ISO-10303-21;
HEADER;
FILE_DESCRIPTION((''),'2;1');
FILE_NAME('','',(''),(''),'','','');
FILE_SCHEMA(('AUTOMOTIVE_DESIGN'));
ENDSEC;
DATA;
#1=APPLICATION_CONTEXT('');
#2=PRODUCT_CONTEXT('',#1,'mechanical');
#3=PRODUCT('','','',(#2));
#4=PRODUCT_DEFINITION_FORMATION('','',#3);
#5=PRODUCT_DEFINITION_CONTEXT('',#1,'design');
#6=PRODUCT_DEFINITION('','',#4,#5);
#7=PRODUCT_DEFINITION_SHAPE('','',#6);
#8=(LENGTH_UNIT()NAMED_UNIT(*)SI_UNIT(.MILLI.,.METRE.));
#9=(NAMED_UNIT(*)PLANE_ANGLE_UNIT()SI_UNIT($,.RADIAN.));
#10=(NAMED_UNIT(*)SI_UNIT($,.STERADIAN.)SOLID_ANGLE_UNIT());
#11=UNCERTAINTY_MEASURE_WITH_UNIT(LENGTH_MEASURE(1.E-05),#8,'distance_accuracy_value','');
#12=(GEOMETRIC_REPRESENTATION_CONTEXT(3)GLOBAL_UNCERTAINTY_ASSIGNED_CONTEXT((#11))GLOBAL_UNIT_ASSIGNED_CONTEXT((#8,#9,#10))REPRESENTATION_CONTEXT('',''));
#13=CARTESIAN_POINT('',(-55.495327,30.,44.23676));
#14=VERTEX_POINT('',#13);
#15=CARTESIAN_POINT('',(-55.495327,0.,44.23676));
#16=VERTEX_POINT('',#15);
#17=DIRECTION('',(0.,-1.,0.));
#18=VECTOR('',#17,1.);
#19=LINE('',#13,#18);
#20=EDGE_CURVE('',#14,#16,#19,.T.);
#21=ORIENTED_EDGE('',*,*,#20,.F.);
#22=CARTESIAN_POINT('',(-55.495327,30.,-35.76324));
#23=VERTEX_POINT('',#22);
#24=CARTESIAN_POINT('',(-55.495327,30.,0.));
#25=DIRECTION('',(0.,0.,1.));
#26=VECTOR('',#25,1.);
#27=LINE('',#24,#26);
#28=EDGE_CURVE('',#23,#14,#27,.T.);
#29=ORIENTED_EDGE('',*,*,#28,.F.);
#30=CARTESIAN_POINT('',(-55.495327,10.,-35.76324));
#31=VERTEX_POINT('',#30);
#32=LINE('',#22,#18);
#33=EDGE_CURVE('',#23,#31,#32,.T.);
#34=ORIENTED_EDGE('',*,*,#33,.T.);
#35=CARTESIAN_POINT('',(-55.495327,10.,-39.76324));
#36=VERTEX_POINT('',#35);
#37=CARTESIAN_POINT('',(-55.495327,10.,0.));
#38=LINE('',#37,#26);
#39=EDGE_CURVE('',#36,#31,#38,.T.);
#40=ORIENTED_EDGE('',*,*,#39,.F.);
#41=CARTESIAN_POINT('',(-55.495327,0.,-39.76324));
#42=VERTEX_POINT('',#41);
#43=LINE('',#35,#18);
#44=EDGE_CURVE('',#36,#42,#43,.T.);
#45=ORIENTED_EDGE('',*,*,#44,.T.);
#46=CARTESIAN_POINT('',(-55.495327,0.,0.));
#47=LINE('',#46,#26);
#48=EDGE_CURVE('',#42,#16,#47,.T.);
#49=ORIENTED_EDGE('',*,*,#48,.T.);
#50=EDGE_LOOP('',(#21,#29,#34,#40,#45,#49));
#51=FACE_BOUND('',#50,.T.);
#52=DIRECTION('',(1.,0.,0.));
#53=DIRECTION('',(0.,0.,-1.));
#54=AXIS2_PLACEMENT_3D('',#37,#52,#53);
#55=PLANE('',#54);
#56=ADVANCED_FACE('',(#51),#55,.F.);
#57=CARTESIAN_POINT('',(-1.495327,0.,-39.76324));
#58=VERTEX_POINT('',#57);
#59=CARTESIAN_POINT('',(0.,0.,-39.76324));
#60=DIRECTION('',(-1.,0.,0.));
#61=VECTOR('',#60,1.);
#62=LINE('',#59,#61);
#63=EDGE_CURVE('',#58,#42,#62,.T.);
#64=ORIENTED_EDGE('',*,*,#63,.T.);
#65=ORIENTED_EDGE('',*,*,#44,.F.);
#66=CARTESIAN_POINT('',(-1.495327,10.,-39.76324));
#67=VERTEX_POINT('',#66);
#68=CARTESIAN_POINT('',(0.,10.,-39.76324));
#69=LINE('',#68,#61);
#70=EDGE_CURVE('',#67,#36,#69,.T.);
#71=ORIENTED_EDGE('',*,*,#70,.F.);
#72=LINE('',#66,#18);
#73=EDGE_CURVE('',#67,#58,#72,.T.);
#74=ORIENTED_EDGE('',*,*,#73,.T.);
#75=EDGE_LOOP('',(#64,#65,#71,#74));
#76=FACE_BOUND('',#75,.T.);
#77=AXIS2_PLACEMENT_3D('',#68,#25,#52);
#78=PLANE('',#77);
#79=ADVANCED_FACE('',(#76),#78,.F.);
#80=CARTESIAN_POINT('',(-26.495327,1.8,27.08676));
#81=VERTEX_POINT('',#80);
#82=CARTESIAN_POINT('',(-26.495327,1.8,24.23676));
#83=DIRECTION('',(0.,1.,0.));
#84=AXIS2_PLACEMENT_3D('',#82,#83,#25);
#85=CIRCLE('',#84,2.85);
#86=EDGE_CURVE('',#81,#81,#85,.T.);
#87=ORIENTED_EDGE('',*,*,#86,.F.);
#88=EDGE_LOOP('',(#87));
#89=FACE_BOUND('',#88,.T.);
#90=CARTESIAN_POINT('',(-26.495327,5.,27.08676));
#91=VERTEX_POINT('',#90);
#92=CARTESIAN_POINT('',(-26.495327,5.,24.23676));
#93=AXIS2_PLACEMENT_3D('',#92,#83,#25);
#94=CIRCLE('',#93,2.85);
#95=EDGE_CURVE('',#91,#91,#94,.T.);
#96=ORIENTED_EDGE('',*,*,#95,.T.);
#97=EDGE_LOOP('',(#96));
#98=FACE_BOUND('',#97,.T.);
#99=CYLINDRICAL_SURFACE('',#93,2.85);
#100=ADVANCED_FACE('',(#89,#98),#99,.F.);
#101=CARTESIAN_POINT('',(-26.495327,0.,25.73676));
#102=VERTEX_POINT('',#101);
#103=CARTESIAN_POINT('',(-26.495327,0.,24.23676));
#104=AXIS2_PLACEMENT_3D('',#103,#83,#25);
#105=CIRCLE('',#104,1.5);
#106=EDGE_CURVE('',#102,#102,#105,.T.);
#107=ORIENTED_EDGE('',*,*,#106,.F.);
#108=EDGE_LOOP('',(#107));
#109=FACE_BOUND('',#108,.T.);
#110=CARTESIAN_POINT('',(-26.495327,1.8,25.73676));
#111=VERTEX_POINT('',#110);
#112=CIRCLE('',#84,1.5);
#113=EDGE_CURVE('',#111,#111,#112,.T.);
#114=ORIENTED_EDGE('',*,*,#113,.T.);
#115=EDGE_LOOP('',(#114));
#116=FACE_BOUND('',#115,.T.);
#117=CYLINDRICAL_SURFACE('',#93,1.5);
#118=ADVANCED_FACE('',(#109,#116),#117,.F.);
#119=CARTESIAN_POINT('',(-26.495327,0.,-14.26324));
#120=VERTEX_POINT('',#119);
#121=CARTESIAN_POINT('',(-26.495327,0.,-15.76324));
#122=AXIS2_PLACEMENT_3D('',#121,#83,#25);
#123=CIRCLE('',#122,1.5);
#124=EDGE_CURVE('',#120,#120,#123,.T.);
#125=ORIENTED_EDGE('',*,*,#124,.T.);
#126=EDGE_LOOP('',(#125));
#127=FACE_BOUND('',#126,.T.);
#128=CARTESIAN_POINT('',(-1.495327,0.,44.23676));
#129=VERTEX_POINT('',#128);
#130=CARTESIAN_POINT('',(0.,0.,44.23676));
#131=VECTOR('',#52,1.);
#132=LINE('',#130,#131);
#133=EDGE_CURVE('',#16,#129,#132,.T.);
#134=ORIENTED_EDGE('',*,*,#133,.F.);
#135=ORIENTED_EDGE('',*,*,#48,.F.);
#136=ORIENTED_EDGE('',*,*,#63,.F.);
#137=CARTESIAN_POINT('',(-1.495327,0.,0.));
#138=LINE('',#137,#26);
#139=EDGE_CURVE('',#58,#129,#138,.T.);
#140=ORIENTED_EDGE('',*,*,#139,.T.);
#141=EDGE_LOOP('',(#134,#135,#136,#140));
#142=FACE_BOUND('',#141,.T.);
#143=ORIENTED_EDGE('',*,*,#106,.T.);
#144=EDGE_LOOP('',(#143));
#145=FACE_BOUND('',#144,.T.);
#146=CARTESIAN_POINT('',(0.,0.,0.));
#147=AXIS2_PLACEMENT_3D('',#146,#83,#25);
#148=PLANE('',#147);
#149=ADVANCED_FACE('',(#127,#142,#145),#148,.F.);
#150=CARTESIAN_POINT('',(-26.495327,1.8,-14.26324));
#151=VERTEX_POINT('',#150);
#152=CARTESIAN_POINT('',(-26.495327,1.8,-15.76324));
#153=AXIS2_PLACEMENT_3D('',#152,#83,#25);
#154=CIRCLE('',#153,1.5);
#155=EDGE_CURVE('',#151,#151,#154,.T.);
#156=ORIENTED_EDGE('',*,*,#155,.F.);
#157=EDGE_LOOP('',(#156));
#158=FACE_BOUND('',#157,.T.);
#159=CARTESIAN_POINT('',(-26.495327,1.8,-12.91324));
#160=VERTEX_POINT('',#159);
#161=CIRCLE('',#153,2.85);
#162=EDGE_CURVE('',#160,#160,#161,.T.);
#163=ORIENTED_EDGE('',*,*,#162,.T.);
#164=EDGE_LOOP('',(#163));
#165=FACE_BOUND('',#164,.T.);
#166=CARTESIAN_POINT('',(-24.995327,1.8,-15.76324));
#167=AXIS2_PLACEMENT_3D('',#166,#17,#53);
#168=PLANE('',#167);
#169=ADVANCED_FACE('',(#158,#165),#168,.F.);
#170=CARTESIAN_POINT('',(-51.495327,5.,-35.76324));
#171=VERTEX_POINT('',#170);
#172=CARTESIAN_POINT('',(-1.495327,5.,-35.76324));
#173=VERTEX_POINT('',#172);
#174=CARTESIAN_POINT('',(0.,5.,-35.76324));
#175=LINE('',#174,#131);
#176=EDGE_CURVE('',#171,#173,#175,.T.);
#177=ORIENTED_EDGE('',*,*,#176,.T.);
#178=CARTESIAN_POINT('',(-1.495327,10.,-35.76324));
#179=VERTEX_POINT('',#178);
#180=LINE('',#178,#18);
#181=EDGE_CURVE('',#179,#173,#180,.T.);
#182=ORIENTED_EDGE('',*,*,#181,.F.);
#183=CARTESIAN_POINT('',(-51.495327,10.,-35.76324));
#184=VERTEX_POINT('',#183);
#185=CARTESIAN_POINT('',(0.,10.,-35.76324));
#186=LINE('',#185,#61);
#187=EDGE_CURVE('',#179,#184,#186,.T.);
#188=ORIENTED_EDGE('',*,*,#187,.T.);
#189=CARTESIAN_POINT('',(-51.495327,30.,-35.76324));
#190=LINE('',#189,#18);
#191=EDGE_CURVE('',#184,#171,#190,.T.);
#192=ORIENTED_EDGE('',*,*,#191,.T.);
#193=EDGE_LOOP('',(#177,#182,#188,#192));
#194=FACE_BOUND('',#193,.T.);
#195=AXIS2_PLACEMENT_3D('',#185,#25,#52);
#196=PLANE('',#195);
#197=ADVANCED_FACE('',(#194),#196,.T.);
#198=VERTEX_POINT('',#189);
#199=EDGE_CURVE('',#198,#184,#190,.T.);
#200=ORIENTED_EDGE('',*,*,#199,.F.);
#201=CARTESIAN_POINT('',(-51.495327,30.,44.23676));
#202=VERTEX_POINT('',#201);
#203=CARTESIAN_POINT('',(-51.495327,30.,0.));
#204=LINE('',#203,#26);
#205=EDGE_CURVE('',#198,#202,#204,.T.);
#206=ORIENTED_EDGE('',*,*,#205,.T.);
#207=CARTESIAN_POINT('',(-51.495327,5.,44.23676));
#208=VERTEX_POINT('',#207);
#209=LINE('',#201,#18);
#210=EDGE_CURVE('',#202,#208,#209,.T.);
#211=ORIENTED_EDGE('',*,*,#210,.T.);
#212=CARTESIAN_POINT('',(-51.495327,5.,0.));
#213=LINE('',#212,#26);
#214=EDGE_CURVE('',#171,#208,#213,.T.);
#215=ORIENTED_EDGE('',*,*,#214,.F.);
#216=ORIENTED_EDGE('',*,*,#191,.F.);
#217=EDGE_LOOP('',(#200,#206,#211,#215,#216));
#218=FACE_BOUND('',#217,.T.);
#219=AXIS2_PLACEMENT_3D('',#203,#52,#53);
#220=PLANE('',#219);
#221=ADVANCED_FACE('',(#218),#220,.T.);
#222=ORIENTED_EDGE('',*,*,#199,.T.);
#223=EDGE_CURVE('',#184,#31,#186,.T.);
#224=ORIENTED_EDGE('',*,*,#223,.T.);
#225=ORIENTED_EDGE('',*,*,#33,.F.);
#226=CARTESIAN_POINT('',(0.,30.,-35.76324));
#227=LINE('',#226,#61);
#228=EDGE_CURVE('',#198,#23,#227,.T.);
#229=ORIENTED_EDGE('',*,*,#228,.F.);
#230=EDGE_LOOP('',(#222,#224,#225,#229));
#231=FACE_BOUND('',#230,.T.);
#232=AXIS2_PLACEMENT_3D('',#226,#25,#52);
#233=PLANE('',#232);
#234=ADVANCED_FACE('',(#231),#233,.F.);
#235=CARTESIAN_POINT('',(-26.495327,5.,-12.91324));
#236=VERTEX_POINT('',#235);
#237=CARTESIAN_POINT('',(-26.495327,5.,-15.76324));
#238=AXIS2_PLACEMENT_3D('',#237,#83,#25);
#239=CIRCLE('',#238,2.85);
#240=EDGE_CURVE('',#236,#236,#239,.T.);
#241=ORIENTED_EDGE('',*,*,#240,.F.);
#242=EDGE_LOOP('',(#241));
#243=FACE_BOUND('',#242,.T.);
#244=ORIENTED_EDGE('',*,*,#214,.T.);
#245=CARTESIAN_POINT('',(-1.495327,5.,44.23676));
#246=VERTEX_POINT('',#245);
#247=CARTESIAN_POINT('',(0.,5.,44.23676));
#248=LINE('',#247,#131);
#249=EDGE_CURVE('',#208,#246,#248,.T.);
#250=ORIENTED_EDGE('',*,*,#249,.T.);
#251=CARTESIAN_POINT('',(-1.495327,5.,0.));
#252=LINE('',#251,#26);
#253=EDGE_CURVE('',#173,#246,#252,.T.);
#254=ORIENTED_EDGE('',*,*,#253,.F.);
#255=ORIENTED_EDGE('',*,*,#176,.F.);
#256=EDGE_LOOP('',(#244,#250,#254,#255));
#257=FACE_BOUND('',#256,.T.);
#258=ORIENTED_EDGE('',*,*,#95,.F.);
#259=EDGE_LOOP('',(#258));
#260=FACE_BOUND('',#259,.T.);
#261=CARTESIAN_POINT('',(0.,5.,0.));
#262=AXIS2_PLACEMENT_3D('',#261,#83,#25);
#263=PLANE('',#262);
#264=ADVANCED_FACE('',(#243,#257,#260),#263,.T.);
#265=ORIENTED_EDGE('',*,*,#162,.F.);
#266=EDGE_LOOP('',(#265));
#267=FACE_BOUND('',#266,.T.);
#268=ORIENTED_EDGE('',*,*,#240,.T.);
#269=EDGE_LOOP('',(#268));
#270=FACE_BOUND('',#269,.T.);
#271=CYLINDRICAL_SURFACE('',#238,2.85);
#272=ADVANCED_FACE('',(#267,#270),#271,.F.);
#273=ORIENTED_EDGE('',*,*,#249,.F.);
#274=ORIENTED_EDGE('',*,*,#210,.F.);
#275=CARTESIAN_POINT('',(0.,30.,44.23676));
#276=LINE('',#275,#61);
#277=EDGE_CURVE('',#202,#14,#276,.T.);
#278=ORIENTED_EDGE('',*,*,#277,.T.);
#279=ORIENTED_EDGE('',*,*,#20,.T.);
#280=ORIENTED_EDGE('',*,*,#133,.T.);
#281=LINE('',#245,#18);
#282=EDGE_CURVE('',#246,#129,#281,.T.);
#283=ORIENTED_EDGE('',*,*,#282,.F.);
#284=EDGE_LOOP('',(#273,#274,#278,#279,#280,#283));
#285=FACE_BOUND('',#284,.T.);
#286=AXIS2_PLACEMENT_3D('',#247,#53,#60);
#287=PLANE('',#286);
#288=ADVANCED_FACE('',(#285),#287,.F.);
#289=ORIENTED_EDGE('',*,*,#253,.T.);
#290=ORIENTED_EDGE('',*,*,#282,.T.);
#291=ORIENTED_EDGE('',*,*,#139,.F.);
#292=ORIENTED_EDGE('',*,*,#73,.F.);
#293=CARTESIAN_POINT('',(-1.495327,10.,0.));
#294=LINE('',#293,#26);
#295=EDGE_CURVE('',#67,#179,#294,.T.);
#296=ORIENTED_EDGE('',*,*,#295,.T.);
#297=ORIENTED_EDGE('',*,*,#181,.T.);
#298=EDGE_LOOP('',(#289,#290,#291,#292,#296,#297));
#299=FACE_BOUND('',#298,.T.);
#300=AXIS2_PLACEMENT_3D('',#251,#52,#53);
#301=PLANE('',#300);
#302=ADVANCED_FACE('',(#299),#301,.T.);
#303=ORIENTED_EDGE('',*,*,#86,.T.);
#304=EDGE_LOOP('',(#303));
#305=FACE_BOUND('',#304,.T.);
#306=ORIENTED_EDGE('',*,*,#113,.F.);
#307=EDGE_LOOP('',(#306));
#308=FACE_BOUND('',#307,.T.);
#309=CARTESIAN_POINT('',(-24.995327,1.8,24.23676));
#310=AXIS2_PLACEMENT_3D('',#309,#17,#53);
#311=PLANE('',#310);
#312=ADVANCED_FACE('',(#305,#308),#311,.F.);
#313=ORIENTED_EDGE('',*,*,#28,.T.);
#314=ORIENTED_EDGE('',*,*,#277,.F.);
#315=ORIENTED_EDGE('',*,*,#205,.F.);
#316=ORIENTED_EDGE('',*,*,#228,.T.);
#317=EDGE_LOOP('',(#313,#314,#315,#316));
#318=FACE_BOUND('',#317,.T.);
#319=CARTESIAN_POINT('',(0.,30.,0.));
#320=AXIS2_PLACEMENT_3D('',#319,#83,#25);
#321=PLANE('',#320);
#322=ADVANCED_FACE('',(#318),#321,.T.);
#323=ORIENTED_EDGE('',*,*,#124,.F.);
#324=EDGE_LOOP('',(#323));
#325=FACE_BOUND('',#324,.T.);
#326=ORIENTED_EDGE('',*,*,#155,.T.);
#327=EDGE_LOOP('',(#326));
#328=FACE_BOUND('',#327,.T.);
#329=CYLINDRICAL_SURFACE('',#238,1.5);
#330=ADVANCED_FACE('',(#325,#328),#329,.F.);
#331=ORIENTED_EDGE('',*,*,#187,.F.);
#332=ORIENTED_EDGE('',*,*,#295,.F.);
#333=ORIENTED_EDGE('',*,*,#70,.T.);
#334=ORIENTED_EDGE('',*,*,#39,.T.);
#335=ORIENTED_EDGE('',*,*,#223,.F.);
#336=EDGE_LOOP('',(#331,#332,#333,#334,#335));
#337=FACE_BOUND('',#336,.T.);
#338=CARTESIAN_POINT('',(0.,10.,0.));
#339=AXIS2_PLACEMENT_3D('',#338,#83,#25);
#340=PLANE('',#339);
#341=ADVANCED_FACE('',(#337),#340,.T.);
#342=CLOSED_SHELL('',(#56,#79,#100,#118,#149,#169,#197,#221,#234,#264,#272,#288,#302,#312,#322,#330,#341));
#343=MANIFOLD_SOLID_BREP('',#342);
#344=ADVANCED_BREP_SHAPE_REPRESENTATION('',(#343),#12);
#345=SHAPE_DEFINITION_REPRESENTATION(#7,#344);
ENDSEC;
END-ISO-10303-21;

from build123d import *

# Parameters (mm, degrees)
SKETCH1_W                               = 50
SKETCH1_H                               = 80
BOSS_EXTRUDE1_DEPTH                     = 5
BOSS_EXTRUDE2_DEPTH                     = 10
SKETCH1_4_W                             = 4
SKETCH1_4_H                             = 80
BOSS_EXTRUDE3_DEPTH                     = 30
CBORE_FOR_M5_HEX_HEAD_BOLT1_D           = 3
CBORE_FOR_M5_HEX_HEAD_BOLT1_CBORE_D     = 5.7
CBORE_FOR_M5_HEX_HEAD_BOLT1_CBORE_DEPTH = 3.2


with BuildPart() as part:
    # Sketch1 → Boss-Extrude1 (new body)
    with BuildSketch(Plane(origin=(0, 0, 0), x_dir=(1, 0, 0), z_dir=(0, 1, 0))):
        with Locations((-26.495327103, -4.236760125)):
            Rectangle(SKETCH1_W, SKETCH1_H)
    extrude(amount=BOSS_EXTRUDE1_DEPTH)

    # Sketch1<3> → Boss-Extrude2 (add)
    with BuildSketch(Plane(origin=(0, 0, 0), x_dir=(1, 0, 0), z_dir=(0, 1, 0))):
        Polygon((-55.495327103, 35.763239875), (-51.495327103, 35.763239875), (-1.495327103, 35.763239875), (-1.495327103, 39.763239875), (-55.495327103, 39.763239875), align=None)
    extrude(amount=BOSS_EXTRUDE2_DEPTH)

    # Sketch1<4> → Boss-Extrude3 (add)
    with BuildSketch(Plane(origin=(0, 0, 0), x_dir=(1, 0, 0), z_dir=(0, 1, 0))):
        with Locations((-53.495327103, -4.236760125)):
            Rectangle(SKETCH1_4_W, SKETCH1_4_H)
    extrude(amount=BOSS_EXTRUDE3_DEPTH)

    # CBORE for M5 Hex Head Bolt1 (through all)
    with Locations(Plane(origin=(-25.6653615, 5, -85), x_dir=(1, 0, 0), z_dir=(0, 1, 0))):
        with Locations((-0.829965603, -69.236760125), (-0.829965603, -109.236760125)):
            CounterBoreHole(CBORE_FOR_M5_HEX_HEAD_BOLT1_D / 2, CBORE_FOR_M5_HEX_HEAD_BOLT1_CBORE_D / 2, CBORE_FOR_M5_HEX_HEAD_BOLT1_CBORE_DEPTH)


solid = part.part
